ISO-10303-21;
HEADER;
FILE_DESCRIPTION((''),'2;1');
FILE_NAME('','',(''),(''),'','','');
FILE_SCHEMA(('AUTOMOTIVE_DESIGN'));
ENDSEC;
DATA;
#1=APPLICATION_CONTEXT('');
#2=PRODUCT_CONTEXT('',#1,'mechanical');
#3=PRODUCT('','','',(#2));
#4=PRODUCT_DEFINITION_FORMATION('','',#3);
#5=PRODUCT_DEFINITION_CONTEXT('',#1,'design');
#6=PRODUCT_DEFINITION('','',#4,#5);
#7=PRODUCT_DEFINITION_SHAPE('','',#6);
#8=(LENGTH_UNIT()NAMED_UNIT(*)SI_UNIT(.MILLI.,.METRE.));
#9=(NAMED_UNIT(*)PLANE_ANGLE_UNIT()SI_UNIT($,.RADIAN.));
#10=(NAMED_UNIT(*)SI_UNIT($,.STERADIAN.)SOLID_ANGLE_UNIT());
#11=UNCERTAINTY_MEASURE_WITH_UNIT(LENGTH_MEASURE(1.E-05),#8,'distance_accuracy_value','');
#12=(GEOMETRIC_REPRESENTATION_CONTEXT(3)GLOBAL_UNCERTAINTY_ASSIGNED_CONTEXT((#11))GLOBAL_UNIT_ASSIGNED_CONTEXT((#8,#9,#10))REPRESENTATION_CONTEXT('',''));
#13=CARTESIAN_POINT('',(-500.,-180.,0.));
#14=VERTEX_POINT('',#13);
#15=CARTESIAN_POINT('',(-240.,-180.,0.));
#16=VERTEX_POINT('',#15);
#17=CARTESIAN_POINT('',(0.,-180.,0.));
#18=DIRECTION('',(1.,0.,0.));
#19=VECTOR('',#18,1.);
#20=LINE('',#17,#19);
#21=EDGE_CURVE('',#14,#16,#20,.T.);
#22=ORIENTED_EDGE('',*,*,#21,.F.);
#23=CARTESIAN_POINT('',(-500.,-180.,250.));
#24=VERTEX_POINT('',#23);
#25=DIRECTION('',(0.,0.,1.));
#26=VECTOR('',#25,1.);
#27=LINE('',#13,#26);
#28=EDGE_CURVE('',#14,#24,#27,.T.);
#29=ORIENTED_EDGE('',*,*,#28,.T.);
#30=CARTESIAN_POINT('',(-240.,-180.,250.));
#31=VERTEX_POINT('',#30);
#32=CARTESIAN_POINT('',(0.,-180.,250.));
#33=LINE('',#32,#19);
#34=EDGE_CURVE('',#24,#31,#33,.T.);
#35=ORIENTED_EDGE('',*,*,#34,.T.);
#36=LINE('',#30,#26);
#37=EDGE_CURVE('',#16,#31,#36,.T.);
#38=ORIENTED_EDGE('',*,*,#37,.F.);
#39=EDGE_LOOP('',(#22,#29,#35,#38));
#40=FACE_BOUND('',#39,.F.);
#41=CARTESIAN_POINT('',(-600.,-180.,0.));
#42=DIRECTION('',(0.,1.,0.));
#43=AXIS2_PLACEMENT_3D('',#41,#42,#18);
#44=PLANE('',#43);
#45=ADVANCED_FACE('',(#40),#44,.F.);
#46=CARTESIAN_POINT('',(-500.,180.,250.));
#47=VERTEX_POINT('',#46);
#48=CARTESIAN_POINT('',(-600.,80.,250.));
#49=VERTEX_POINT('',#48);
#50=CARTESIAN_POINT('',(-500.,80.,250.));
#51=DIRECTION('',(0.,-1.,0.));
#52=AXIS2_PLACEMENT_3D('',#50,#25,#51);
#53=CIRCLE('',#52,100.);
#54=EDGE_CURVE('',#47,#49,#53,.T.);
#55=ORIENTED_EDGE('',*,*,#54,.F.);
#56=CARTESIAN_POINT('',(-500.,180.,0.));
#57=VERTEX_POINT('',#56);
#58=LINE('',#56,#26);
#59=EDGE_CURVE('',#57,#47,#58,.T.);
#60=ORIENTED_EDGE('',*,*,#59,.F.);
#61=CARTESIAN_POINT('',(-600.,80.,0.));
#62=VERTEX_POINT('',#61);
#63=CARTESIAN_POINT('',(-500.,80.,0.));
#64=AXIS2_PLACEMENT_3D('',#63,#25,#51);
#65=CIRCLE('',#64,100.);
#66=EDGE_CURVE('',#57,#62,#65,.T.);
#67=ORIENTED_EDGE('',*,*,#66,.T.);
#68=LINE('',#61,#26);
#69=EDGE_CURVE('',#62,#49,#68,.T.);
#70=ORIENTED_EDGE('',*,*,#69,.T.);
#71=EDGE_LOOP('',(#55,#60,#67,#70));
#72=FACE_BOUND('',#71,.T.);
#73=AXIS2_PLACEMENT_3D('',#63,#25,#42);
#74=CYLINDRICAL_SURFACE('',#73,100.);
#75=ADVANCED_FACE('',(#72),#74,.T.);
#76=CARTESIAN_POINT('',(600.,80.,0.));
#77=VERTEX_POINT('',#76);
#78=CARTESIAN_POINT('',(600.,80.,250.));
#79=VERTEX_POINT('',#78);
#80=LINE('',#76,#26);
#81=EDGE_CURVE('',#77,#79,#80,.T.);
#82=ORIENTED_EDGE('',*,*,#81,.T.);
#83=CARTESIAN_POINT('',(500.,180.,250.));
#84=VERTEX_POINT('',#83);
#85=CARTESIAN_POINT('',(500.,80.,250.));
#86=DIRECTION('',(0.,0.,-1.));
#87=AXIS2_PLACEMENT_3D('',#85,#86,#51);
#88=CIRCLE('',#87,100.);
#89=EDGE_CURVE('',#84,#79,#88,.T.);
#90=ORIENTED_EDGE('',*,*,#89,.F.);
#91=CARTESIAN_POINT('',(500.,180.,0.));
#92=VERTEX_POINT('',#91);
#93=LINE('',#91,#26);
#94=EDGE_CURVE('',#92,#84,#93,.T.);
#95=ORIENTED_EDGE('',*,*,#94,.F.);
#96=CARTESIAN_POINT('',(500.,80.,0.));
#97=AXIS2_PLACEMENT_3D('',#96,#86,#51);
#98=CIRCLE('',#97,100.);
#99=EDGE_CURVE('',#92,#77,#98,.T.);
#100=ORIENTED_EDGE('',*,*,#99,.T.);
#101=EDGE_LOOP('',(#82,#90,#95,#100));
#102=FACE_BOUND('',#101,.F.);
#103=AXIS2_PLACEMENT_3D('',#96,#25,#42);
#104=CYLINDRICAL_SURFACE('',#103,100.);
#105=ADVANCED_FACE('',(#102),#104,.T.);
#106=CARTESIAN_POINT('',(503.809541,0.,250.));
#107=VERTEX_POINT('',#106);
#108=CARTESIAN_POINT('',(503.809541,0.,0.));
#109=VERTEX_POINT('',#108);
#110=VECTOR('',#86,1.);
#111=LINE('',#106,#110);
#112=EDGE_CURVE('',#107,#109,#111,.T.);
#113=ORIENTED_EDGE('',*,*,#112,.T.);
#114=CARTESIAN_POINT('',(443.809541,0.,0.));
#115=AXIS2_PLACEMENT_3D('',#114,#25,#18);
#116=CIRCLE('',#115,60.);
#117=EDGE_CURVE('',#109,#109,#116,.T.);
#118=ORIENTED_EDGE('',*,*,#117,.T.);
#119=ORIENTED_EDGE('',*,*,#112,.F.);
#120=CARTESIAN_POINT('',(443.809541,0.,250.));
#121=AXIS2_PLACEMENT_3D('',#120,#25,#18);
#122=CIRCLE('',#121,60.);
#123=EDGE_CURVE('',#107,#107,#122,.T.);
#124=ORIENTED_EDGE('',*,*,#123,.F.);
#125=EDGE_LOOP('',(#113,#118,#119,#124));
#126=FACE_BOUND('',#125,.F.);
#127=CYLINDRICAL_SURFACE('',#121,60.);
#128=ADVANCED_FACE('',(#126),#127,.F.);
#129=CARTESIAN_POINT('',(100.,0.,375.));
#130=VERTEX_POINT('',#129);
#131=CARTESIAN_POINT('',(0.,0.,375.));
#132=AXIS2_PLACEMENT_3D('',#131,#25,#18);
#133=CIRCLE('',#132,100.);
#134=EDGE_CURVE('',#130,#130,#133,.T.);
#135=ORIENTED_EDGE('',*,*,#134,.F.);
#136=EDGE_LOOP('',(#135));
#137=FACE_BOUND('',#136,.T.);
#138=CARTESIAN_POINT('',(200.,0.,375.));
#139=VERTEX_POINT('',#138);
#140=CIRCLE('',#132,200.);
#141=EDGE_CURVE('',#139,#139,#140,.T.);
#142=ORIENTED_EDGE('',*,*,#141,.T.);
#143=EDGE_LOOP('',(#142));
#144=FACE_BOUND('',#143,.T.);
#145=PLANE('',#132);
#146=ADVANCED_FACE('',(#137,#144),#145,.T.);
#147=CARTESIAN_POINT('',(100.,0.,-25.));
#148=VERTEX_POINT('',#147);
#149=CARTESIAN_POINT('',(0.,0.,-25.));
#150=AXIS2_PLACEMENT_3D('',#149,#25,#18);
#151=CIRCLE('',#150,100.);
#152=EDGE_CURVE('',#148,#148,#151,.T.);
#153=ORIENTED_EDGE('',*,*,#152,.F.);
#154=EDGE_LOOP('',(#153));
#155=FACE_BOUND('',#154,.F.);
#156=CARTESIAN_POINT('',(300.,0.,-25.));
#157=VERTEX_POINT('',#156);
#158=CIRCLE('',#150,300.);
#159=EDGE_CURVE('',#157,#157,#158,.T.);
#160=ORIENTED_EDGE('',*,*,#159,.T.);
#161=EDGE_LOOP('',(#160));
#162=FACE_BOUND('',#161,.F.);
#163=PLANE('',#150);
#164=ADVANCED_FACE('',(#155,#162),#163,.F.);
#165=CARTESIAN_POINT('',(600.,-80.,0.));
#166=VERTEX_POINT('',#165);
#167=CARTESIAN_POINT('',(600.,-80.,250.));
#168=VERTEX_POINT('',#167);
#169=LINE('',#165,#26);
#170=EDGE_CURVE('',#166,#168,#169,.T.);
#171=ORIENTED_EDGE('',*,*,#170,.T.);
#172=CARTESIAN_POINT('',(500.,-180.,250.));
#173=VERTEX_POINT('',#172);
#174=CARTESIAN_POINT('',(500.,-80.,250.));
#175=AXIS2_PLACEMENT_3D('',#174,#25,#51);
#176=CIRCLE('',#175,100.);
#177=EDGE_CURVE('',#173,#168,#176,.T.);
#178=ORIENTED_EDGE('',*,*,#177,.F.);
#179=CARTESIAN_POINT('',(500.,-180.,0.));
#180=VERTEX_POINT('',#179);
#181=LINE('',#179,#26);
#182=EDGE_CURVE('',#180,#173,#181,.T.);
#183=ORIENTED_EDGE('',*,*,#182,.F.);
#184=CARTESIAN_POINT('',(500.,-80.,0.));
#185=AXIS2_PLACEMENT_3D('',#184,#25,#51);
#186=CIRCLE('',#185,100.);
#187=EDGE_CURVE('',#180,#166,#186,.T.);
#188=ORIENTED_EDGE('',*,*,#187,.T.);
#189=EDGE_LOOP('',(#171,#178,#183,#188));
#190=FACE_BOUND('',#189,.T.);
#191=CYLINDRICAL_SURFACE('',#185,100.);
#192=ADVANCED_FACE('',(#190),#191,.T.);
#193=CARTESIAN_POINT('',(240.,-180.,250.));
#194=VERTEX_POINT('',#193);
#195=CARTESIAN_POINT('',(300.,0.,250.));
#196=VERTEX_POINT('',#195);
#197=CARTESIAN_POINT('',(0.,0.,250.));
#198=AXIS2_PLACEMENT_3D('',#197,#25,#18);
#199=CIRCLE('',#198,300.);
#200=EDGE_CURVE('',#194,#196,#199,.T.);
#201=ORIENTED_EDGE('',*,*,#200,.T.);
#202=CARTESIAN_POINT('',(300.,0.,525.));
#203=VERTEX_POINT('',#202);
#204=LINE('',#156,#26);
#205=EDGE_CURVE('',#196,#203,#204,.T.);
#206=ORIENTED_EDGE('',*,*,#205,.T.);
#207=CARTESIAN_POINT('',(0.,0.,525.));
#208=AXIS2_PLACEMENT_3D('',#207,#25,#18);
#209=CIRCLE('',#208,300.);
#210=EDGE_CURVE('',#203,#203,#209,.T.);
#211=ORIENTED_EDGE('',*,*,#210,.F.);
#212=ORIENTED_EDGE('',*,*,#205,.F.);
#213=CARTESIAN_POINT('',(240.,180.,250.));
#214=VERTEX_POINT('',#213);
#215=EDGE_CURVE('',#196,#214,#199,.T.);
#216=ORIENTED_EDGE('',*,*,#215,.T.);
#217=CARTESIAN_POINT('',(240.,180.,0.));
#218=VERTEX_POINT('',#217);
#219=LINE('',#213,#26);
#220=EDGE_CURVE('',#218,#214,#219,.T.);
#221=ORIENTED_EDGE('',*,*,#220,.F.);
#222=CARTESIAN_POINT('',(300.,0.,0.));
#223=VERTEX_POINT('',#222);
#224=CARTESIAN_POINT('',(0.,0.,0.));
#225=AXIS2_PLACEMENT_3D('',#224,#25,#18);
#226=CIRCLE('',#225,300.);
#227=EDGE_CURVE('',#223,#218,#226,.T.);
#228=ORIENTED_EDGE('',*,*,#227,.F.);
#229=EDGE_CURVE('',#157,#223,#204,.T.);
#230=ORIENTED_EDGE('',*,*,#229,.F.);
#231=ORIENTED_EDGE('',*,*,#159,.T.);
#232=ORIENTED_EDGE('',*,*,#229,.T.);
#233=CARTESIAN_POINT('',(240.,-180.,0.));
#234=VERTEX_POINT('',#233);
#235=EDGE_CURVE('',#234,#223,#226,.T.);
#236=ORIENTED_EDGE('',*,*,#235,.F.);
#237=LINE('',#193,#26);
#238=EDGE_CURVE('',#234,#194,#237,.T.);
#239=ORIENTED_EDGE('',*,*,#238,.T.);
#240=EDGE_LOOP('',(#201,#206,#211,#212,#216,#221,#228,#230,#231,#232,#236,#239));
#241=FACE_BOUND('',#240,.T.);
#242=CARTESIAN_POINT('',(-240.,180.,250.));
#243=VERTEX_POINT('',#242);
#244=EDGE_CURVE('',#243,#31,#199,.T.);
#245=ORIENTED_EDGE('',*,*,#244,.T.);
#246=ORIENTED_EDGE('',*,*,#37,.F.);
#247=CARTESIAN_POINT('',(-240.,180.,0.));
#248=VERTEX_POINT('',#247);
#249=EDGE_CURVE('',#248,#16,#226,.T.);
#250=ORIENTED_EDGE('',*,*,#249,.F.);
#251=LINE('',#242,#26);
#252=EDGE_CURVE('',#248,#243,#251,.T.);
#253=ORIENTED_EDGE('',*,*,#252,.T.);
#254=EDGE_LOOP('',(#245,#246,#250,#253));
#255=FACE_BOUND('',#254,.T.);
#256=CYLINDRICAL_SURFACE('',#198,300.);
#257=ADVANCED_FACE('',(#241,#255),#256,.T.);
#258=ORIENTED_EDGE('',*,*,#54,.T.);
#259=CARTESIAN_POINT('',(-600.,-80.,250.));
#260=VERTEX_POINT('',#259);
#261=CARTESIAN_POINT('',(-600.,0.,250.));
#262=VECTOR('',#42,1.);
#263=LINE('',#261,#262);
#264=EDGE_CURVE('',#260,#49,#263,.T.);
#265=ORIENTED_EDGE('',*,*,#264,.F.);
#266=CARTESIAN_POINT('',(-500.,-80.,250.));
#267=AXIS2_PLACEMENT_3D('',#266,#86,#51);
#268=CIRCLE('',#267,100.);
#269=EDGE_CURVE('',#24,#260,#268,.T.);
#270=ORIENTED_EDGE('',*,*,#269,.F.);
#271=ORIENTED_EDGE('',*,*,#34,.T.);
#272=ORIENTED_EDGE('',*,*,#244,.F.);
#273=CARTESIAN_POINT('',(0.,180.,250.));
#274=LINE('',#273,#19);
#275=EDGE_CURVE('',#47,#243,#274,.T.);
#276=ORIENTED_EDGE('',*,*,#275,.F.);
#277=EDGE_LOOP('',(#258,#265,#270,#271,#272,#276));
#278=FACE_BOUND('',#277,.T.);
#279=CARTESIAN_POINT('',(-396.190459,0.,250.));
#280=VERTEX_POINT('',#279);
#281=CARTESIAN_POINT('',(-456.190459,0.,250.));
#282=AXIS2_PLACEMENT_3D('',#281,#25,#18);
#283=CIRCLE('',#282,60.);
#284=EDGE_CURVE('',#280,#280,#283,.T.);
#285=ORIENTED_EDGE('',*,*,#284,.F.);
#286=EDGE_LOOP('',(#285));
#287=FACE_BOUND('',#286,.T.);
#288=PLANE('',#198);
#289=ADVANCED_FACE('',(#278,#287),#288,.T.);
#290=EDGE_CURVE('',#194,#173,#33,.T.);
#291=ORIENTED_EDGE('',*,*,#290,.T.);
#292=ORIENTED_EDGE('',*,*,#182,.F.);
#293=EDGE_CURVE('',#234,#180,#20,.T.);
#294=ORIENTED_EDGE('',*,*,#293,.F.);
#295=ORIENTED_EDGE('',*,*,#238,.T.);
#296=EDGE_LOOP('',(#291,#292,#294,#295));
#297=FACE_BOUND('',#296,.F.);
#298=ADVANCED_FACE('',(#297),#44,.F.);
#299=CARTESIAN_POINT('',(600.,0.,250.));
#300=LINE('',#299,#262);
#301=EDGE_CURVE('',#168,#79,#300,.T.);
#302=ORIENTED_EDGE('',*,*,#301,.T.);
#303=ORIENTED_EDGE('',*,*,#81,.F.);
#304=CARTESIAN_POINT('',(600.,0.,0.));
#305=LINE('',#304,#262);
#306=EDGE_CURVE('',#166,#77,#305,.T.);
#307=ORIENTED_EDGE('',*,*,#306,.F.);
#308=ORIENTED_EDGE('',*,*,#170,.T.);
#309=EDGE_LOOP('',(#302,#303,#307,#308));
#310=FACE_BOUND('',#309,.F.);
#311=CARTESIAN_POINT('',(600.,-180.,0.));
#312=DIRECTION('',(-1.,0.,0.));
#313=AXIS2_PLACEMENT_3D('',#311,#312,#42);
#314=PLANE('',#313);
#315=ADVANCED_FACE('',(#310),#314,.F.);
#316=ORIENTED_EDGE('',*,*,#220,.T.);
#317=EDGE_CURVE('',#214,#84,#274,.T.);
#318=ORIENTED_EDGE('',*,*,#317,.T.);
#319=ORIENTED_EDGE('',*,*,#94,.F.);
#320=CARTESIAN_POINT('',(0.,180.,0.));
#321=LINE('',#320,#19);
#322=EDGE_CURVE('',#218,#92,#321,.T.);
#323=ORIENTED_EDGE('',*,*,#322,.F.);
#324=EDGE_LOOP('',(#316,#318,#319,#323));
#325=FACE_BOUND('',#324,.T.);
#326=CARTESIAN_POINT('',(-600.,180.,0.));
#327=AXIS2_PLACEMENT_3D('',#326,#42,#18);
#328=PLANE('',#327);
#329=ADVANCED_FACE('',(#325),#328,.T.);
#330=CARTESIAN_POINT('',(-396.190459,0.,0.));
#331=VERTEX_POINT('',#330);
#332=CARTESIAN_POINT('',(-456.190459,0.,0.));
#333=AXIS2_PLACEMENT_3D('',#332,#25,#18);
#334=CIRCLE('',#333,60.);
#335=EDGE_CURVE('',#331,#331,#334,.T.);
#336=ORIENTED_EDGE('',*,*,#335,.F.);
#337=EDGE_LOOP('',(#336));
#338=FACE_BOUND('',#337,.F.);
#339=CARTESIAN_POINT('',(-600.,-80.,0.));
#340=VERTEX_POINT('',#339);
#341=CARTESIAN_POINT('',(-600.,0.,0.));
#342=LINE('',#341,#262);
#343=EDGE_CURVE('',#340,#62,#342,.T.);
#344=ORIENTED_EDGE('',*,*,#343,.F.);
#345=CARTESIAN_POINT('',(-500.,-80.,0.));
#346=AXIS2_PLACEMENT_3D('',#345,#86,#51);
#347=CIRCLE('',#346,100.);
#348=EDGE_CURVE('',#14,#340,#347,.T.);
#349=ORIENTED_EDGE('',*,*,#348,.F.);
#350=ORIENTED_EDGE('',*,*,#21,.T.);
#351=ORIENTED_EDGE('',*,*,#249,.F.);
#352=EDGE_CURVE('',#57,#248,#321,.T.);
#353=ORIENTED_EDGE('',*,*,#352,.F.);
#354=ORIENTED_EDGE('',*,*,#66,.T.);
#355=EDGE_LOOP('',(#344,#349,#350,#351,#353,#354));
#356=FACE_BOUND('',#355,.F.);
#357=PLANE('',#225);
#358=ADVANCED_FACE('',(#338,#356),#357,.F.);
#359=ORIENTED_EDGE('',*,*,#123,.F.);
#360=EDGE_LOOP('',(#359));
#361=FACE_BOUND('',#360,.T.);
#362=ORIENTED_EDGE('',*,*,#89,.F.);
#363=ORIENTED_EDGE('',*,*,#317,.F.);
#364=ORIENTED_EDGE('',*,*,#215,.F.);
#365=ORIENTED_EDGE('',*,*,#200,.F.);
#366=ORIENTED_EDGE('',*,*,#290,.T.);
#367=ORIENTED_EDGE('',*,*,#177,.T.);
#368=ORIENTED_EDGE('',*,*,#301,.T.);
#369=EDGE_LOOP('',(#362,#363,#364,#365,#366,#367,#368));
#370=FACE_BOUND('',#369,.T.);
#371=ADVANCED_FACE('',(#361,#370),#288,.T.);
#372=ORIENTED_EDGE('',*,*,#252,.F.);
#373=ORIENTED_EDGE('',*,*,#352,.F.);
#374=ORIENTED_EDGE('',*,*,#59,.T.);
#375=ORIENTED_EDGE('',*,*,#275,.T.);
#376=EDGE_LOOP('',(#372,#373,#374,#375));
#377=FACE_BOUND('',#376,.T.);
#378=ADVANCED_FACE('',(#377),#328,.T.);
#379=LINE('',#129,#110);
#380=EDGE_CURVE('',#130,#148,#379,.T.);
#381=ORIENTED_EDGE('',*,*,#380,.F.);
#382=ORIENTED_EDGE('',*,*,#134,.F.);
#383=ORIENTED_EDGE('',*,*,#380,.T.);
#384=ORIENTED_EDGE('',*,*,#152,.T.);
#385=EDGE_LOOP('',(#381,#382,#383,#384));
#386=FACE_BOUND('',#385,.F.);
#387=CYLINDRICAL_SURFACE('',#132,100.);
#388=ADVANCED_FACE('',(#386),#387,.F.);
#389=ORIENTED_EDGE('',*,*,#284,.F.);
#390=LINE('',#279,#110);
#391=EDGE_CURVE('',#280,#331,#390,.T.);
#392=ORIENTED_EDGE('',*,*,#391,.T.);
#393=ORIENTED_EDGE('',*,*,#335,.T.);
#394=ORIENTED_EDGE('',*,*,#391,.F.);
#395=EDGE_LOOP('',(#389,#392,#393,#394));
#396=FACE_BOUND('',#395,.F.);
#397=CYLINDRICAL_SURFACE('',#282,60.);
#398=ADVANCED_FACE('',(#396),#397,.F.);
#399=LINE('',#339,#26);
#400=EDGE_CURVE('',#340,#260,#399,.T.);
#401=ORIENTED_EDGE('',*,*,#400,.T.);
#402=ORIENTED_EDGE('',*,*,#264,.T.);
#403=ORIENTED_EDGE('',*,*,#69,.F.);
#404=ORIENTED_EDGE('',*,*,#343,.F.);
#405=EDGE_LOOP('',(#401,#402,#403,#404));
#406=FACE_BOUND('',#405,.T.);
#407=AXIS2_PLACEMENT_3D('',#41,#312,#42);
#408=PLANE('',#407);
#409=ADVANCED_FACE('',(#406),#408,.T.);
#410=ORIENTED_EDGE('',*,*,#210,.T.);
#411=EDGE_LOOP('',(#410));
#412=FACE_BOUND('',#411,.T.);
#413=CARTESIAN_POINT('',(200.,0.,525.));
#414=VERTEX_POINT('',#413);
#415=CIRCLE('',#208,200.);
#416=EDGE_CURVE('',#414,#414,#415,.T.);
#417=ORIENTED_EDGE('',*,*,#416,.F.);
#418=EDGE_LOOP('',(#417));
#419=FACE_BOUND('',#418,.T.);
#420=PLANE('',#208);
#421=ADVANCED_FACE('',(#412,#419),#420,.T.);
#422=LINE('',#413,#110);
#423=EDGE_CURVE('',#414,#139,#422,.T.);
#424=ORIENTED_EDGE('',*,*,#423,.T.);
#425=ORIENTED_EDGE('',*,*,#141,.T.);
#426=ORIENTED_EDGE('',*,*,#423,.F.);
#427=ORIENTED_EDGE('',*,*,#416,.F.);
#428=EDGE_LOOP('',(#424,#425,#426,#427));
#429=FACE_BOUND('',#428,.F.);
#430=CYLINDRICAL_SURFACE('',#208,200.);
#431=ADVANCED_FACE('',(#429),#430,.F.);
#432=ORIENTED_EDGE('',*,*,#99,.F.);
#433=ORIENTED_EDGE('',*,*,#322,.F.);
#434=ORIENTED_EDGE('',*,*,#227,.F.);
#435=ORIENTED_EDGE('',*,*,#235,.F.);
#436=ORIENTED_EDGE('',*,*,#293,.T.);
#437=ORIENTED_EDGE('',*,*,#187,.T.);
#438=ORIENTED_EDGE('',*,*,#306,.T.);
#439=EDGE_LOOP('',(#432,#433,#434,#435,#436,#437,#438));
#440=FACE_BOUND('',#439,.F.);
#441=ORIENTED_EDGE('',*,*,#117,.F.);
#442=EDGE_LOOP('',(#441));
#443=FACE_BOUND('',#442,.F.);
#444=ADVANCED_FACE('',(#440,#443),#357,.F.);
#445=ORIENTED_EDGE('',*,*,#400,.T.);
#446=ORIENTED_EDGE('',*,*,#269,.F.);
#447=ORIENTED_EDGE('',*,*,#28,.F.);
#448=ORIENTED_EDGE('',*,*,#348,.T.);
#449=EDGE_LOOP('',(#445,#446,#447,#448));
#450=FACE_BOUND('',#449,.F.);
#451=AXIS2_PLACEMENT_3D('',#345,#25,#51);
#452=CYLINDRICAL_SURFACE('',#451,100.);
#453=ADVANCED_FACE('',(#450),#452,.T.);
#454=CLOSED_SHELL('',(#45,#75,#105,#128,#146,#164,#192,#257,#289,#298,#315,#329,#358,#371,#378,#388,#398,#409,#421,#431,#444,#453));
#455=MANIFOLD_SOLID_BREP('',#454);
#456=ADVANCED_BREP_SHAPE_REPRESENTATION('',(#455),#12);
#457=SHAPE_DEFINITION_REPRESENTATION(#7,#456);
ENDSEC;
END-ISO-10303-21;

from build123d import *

# Parameters (mm, degrees)
F0_W     = 1200
F0_H     = 360
F1_DEPTH = 250
F2_R     = 60
F3_DEPTH = 250.001
F4_R     = 300
F5_DEPTH = 275
F6_R     = 200
F7_DEPTH = 150
F8_R     = 100
F9_DEPTH = 400.001
F10_R    = 100


with BuildPart() as f1:
    # F0 (on Top) → F1 (new body)
    with BuildSketch(Plane.XY):
        Rectangle(F0_W, F0_H)
    extrude(amount=F1_DEPTH)

    # F2 (on face) → F3 (cut, through all)
    with BuildSketch(Plane.XY.offset(250)):
        with Locations((-456.190459, 0)):
            Circle(F2_R)
        with Locations((443.809541, 0)):
            Circle(F2_R)
    extrude(amount=-F3_DEPTH, mode=Mode.SUBTRACT)

    # F4 (on face) → F5 (join, symmetric)
    with BuildSketch(Plane.XY.offset(250)):
        Circle(F4_R)
        with BuildLine():
            ThreePointArc((240, -180), (284.604989, -94.86833), (300, 0))
            ThreePointArc((300, 0), (284.604989, 94.86833), (240, 180))
            Line((240, 180), (-240, 180))
            ThreePointArc((-240, 180), (-300, 0), (-240, -180))
            Line((-240, -180), (240, -180))
        make_face()
    extrude(amount=F5_DEPTH, both=True)

    # F6 (on face) → F7 (cut)
    with BuildSketch(Plane.XY.offset(525)):
        Circle(F6_R)
    extrude(amount=-F7_DEPTH, mode=Mode.SUBTRACT)

    # F8 (on face) → F9 (cut, through all)
    with BuildSketch(Plane.XY.offset(375)):
        Circle(F8_R)
    extrude(amount=-F9_DEPTH, mode=Mode.SUBTRACT)

    # F10
    f10_edges = [f1.edges().sort_by_distance(p)[0] for p in [
        (600, -180, 125),
        (600, 180, 125),
        (-600, -180, 125),
        (-600, 180, 125),
    ]]
    fillet(f10_edges, radius=F10_R)


solid = f1.part
